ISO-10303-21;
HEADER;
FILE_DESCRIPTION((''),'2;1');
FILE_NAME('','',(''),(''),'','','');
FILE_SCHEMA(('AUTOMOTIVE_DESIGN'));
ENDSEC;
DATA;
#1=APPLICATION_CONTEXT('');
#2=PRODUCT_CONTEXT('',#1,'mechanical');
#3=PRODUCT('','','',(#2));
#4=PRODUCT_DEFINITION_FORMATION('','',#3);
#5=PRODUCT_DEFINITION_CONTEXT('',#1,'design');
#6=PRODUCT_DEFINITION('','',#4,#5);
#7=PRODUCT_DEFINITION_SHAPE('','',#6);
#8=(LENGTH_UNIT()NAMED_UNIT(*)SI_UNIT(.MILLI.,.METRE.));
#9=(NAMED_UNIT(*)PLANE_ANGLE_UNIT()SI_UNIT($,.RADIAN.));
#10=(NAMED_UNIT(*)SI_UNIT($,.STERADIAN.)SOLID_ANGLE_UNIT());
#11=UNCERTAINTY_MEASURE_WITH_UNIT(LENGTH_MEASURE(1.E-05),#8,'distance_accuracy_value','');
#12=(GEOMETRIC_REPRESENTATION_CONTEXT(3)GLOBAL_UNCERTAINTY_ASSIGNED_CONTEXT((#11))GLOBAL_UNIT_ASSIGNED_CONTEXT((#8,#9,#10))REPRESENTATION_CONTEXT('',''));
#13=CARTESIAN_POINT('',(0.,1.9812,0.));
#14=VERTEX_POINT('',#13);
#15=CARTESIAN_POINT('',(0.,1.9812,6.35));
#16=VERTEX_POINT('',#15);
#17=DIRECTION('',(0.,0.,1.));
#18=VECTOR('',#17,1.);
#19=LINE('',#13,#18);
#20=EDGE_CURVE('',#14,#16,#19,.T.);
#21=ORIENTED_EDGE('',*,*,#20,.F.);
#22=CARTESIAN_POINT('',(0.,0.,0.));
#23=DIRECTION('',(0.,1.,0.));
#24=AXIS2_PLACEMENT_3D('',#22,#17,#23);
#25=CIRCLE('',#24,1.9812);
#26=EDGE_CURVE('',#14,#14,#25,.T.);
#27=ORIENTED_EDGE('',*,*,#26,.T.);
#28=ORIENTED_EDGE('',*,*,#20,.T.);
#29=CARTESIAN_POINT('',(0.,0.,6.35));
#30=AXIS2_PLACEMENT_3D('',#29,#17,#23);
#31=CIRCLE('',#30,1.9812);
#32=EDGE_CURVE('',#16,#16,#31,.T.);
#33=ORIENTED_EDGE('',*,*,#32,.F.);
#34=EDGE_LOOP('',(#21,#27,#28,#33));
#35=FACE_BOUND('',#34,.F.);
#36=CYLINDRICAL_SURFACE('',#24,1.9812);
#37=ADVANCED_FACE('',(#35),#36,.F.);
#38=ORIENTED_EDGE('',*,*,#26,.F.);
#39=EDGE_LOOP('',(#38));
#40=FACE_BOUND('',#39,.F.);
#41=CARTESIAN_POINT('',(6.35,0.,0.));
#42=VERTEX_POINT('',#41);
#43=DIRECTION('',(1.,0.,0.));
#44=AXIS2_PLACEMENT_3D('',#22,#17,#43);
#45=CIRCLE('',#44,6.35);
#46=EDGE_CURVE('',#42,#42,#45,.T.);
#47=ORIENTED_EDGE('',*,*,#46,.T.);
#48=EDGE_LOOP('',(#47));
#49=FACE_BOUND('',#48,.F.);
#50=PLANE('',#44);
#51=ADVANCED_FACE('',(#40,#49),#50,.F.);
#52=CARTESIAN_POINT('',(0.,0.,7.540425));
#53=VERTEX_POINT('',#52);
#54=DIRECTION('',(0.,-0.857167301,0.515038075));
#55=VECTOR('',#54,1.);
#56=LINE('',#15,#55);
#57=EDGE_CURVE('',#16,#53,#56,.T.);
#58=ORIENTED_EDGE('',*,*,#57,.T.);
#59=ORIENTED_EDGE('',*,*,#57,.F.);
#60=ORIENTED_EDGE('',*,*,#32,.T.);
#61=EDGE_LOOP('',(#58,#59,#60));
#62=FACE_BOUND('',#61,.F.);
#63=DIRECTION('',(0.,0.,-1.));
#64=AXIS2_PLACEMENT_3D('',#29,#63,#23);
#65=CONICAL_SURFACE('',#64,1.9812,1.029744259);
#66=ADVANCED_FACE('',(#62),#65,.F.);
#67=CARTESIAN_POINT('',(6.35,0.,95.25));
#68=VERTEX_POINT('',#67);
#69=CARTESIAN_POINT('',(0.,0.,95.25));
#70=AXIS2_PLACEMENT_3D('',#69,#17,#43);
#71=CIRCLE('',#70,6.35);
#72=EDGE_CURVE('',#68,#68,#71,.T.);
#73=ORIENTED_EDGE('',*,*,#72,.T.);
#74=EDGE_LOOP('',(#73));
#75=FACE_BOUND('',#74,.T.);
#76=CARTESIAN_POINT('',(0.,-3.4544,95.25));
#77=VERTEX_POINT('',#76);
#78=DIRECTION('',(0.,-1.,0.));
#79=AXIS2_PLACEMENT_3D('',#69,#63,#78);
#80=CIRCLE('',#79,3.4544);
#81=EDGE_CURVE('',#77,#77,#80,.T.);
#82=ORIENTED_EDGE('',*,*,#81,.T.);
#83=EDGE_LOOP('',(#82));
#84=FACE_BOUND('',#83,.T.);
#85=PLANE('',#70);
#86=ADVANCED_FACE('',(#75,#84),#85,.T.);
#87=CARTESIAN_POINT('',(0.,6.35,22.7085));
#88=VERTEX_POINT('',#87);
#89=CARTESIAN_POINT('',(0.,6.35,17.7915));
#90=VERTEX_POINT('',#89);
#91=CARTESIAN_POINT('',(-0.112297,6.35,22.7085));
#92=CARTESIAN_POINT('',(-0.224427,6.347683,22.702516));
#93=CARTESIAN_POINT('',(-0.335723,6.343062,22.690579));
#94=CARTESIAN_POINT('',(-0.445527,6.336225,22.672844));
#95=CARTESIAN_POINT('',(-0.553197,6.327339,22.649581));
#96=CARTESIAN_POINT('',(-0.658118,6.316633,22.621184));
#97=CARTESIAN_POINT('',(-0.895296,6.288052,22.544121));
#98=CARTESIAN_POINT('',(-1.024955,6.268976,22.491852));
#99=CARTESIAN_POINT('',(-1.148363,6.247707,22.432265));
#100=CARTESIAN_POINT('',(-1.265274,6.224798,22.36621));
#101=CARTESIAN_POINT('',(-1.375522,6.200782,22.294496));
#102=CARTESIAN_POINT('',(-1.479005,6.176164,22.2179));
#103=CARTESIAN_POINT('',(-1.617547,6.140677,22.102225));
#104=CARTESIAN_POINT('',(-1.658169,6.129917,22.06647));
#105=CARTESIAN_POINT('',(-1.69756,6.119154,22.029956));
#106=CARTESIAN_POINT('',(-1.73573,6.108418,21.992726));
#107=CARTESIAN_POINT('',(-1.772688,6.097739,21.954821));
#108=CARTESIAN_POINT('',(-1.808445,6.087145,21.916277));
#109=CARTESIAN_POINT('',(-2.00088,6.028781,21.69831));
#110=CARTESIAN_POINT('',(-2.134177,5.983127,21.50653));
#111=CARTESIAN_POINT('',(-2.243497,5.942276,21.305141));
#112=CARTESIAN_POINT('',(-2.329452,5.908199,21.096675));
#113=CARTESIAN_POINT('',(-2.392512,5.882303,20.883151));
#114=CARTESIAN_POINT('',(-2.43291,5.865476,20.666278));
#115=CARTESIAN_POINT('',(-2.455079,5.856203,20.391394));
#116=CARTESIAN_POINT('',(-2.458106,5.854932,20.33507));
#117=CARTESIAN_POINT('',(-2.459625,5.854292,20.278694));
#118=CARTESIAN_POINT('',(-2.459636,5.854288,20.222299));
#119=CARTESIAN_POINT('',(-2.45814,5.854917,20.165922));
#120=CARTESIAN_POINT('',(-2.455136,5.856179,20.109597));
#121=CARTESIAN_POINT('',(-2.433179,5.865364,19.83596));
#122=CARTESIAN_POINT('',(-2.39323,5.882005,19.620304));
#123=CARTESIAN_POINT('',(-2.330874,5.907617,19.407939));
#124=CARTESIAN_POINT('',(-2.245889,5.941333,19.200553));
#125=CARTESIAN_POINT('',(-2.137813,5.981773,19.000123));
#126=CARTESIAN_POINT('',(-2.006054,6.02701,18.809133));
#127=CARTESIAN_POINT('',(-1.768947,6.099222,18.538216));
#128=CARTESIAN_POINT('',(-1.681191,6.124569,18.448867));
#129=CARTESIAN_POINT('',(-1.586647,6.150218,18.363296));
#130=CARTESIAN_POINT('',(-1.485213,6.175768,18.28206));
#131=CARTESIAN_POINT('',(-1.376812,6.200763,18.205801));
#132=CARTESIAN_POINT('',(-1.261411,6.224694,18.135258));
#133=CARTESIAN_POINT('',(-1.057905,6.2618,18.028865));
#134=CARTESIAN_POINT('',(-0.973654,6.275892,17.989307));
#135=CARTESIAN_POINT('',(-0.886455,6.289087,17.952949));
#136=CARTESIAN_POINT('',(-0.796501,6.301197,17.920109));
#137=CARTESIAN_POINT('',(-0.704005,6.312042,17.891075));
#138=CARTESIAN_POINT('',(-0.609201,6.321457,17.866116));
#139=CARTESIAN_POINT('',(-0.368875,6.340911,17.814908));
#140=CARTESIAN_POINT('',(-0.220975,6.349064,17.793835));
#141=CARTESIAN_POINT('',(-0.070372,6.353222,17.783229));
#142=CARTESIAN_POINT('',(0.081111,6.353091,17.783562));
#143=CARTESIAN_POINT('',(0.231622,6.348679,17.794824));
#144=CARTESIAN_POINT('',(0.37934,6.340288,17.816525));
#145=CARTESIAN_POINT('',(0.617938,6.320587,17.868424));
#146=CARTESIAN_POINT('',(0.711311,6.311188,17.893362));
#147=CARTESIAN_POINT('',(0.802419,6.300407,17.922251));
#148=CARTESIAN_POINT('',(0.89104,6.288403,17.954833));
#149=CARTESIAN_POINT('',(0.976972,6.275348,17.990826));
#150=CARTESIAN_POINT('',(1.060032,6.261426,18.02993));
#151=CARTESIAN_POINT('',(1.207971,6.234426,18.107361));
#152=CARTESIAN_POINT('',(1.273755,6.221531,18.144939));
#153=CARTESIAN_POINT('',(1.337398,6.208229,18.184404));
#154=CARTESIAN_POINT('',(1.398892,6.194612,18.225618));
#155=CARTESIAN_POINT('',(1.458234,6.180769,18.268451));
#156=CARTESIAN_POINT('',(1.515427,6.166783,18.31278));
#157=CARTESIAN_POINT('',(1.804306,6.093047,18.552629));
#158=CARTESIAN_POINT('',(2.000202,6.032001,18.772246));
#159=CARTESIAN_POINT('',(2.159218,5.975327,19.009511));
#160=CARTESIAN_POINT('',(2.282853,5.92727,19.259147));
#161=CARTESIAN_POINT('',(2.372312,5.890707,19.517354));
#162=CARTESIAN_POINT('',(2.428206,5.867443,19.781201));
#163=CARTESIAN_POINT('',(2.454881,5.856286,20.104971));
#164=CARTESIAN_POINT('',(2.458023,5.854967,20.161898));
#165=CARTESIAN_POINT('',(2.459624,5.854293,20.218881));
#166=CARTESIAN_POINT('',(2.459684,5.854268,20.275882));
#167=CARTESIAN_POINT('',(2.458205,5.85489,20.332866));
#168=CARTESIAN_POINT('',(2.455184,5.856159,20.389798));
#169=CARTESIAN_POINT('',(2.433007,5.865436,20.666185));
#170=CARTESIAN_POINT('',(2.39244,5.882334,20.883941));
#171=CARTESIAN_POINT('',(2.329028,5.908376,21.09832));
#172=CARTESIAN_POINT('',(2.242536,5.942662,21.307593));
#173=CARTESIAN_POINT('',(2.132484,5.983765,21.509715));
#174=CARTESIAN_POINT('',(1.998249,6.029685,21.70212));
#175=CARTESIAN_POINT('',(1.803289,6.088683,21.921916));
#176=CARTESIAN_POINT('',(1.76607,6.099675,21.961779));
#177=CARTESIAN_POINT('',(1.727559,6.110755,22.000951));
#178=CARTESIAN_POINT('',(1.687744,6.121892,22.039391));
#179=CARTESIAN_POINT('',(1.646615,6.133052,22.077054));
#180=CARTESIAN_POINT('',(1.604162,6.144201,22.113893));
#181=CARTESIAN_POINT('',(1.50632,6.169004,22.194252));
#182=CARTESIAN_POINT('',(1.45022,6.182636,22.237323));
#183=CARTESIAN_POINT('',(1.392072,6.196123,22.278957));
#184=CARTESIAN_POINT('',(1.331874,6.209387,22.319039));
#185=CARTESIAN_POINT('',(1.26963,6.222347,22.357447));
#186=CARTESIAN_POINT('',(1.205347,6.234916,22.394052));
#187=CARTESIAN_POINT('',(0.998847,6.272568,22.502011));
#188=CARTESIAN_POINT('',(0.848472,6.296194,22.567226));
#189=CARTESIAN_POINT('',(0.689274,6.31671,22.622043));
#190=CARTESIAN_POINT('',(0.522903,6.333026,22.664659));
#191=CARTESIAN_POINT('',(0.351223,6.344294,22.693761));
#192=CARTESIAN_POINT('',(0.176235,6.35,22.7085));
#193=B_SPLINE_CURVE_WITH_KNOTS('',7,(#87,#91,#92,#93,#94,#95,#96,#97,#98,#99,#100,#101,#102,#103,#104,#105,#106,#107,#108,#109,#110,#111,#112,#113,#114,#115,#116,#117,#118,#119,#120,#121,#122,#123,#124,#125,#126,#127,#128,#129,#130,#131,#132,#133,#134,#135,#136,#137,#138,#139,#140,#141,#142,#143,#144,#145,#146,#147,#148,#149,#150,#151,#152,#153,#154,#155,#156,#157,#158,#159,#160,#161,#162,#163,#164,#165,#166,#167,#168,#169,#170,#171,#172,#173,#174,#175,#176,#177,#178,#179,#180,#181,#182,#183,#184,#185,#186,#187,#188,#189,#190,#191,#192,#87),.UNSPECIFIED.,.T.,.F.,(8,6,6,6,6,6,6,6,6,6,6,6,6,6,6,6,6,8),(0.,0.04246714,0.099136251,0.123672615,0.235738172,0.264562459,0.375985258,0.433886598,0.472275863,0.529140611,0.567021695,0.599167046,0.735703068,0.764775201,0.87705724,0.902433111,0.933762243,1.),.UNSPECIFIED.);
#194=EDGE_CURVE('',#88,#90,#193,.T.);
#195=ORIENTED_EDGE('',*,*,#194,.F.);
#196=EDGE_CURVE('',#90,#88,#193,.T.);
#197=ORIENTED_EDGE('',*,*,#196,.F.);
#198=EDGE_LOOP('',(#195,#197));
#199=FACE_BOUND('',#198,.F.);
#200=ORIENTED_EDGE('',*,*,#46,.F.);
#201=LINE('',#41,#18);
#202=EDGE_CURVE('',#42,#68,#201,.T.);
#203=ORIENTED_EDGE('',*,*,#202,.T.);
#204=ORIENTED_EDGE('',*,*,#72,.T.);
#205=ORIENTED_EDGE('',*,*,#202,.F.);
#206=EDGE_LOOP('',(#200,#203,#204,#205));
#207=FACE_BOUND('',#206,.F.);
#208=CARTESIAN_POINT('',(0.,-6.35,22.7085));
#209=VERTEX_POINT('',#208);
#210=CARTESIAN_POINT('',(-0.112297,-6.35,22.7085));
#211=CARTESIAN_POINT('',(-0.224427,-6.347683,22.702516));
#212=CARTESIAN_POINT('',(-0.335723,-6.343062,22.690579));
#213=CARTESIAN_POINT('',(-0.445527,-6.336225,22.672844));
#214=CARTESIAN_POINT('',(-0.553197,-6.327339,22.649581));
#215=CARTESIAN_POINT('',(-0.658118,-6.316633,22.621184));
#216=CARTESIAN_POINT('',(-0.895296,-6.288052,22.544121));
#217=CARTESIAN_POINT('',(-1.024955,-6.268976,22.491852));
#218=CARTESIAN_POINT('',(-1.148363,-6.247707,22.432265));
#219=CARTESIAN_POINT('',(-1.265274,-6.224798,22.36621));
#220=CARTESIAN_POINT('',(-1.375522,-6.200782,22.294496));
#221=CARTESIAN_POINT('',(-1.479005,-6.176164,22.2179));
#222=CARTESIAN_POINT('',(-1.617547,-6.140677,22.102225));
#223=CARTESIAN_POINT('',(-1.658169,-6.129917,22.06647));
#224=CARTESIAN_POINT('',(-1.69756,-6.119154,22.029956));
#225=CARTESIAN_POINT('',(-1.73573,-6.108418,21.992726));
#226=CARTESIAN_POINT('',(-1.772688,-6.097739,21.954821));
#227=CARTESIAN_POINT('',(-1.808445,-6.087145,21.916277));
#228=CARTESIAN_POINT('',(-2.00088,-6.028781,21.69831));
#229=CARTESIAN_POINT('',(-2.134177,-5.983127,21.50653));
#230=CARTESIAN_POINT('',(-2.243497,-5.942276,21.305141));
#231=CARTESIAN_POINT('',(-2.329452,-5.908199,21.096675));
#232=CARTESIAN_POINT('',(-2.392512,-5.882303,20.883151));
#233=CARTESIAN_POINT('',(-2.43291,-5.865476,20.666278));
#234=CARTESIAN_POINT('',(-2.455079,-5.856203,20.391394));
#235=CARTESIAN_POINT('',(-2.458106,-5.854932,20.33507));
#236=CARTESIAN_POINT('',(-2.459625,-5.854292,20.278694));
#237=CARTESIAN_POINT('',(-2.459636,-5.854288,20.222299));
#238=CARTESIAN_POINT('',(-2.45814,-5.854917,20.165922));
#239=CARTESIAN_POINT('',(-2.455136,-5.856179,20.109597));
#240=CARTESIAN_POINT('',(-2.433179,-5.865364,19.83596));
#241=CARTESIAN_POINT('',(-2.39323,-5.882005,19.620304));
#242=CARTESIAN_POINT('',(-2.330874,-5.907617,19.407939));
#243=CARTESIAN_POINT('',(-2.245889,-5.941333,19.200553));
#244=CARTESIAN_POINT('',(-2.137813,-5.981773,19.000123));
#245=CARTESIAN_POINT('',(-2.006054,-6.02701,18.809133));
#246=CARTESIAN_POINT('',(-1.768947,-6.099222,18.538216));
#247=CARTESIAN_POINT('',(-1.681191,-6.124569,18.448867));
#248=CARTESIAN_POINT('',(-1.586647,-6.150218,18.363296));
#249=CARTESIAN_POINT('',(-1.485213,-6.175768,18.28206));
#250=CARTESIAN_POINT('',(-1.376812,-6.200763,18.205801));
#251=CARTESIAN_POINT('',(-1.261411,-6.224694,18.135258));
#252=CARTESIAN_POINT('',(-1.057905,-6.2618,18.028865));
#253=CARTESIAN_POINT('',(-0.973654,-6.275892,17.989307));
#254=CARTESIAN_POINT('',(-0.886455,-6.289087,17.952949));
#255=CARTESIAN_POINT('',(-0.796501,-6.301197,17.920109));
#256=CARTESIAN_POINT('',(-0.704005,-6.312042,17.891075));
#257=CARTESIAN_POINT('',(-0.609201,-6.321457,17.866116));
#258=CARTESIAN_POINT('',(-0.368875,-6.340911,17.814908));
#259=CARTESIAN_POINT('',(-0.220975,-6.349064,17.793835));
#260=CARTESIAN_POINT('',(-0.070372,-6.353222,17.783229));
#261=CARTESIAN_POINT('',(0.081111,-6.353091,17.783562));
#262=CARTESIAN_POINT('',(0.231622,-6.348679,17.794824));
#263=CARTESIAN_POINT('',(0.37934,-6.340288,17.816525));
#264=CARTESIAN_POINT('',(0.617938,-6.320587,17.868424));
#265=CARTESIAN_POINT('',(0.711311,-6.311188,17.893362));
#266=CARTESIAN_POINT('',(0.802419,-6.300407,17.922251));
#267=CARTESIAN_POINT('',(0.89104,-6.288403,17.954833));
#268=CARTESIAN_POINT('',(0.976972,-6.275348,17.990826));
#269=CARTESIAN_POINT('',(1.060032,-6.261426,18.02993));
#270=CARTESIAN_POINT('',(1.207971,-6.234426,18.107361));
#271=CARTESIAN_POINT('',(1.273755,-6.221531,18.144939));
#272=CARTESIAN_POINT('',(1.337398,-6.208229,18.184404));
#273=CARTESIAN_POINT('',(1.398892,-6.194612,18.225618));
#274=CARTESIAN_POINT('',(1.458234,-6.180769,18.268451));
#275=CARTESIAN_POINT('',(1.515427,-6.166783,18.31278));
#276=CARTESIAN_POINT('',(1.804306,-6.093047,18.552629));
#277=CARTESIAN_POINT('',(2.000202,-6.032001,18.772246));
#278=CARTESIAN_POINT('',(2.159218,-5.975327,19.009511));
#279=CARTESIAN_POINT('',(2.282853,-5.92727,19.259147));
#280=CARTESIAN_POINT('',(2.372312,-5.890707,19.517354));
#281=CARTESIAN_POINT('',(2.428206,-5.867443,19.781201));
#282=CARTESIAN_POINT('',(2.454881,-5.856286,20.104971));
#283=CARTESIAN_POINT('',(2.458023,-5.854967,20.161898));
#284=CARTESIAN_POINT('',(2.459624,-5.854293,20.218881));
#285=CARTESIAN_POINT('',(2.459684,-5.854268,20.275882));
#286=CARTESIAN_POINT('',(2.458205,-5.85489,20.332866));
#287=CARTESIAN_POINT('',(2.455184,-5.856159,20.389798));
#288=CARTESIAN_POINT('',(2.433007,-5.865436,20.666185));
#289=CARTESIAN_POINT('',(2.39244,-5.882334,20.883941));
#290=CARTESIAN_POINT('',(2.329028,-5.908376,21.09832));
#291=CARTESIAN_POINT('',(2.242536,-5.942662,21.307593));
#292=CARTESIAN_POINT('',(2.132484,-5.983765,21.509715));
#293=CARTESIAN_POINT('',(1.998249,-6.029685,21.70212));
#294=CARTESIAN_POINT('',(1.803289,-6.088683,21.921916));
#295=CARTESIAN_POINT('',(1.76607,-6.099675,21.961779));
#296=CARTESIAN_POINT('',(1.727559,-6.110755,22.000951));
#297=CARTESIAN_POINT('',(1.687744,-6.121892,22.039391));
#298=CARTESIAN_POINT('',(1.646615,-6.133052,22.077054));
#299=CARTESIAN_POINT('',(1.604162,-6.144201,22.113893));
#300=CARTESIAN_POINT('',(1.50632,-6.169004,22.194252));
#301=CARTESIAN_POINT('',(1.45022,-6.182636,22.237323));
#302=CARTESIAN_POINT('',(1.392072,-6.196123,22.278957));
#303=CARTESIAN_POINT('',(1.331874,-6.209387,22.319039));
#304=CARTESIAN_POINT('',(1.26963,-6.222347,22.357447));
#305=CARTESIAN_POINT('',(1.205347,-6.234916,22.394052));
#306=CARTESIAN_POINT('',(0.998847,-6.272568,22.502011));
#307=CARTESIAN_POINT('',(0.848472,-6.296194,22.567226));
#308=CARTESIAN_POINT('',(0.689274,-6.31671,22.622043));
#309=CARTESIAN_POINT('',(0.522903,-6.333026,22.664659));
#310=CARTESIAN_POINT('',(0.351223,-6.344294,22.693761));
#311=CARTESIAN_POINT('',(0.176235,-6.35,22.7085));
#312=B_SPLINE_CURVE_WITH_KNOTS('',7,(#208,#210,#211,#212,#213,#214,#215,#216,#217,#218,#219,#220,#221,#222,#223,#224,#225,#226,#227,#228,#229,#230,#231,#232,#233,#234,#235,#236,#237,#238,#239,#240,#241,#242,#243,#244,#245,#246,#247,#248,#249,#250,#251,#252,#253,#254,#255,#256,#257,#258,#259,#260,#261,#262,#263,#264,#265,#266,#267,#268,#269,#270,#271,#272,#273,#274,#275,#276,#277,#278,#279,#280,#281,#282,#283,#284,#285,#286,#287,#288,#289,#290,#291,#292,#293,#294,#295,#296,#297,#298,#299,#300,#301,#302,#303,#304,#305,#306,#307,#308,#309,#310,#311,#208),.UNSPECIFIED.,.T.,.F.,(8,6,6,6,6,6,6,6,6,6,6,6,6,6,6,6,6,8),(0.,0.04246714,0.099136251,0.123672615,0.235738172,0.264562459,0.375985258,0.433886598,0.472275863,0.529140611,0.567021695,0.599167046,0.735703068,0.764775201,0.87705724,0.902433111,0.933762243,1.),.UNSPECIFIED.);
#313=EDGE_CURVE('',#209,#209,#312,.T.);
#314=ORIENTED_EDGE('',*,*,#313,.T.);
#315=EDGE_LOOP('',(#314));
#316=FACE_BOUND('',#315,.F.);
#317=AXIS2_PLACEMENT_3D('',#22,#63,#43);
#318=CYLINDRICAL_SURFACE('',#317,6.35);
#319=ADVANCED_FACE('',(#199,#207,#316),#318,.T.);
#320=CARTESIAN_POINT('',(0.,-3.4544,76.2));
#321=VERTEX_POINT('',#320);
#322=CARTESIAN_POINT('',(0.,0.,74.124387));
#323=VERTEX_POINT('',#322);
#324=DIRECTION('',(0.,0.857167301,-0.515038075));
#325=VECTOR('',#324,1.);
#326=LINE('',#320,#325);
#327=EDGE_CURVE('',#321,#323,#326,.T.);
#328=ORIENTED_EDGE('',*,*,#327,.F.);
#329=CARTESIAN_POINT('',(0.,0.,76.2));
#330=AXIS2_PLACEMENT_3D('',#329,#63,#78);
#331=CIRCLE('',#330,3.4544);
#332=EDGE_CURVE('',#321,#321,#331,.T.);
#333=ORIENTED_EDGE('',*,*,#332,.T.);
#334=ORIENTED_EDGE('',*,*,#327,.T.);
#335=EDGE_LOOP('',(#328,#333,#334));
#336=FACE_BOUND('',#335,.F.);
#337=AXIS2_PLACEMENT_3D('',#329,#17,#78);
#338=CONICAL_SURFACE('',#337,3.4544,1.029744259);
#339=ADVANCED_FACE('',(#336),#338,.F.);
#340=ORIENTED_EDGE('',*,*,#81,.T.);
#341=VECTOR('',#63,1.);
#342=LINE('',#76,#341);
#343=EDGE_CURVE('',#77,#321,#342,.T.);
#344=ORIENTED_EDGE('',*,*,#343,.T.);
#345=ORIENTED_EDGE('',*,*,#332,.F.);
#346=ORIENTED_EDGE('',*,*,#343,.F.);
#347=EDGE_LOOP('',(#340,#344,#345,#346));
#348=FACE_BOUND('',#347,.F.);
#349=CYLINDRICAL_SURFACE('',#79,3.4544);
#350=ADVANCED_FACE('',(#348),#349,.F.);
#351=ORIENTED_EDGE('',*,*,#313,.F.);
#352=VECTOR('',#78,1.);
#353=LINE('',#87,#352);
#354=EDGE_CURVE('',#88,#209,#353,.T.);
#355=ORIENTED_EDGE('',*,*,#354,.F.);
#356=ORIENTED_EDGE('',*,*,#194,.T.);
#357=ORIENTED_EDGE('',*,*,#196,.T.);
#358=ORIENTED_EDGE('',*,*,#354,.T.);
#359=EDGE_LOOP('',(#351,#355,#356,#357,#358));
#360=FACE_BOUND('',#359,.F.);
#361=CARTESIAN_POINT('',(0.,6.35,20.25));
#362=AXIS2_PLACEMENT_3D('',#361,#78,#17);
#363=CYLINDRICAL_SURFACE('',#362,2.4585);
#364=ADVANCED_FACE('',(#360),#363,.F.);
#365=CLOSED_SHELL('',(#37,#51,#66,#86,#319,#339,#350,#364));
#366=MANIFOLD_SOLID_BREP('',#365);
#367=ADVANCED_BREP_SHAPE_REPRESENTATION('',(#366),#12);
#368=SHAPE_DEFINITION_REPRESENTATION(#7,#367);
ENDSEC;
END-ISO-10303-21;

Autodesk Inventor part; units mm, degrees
ref_plane "YZ Plane" through (0, 0, 0) normal (1, 0, 0) x (0, 1, 0)
ref_plane "XZ Plane" through (0, 0, 0) normal (0, 1, 0) x (-1, 0, 0)
sketch "Sketch1" plane through (0, 0, 0) normal (0, 0, 1) x (1, 0, 0)
  circle A0 centre (0, 0) radius 6.35
  dimension "d0" = 12.7
extrude "Extrusion1" add sketch "Sketch1" along normal blind 95.25
sketch "Sketch2" plane through (0, 0, 95.25) normal (0, 0, 1) x (1, 0, 0)
  circle A0 centre (0, 0) radius 6.35 projected
hole "Hole1" at (0, 0, 95.25) direction (0, 0, -1) diameter 6.9088 depth 19.05 tip angle 118 thread size "5/16-24 UNF" class "2B" standard "ANSI Unified Screw Threads"
ref_plane "Work Plane1" through (0, 6.35, 0) normal (0, 1, 0) x (-1, 0, 0)
sketch "Sketch3" plane through (0, 6.35, 0) normal (0, 1, 0) x (-1, 0, 0)
  line L0 (-6.35, 0) -> (6.35, 0) projected
  line L1 (-6.35, 95.25) -> (6.35, 95.25) projected
  line L2 (-6.35, 0) -> (6.35, 0) projected
  point P0 (0, 20.25)
  dimension "d18" = 75
hole "Hole2" at (0, 6.35, 20.25) direction (0, -1, 0) diameter 4.917 end through all thread size "M6x1" class "6H" standard "ISO Metric profile"
sketch "Sketch4" plane through (0, 0, 0) normal (0, 0, -1) x (-1, 0, 0)
  circle A0 centre (0, 0) radius 6.35 projected
hole "Hole3" at (0, 0, 0) direction (0, 0, 1) diameter 3.9624 depth 6.35 tip angle 118 thread size "10-32 UNF" class "2B" standard "ANSI Unified Screw Threads"
properties part number "PWTR-0037" material "Stainless Steel, 303"
